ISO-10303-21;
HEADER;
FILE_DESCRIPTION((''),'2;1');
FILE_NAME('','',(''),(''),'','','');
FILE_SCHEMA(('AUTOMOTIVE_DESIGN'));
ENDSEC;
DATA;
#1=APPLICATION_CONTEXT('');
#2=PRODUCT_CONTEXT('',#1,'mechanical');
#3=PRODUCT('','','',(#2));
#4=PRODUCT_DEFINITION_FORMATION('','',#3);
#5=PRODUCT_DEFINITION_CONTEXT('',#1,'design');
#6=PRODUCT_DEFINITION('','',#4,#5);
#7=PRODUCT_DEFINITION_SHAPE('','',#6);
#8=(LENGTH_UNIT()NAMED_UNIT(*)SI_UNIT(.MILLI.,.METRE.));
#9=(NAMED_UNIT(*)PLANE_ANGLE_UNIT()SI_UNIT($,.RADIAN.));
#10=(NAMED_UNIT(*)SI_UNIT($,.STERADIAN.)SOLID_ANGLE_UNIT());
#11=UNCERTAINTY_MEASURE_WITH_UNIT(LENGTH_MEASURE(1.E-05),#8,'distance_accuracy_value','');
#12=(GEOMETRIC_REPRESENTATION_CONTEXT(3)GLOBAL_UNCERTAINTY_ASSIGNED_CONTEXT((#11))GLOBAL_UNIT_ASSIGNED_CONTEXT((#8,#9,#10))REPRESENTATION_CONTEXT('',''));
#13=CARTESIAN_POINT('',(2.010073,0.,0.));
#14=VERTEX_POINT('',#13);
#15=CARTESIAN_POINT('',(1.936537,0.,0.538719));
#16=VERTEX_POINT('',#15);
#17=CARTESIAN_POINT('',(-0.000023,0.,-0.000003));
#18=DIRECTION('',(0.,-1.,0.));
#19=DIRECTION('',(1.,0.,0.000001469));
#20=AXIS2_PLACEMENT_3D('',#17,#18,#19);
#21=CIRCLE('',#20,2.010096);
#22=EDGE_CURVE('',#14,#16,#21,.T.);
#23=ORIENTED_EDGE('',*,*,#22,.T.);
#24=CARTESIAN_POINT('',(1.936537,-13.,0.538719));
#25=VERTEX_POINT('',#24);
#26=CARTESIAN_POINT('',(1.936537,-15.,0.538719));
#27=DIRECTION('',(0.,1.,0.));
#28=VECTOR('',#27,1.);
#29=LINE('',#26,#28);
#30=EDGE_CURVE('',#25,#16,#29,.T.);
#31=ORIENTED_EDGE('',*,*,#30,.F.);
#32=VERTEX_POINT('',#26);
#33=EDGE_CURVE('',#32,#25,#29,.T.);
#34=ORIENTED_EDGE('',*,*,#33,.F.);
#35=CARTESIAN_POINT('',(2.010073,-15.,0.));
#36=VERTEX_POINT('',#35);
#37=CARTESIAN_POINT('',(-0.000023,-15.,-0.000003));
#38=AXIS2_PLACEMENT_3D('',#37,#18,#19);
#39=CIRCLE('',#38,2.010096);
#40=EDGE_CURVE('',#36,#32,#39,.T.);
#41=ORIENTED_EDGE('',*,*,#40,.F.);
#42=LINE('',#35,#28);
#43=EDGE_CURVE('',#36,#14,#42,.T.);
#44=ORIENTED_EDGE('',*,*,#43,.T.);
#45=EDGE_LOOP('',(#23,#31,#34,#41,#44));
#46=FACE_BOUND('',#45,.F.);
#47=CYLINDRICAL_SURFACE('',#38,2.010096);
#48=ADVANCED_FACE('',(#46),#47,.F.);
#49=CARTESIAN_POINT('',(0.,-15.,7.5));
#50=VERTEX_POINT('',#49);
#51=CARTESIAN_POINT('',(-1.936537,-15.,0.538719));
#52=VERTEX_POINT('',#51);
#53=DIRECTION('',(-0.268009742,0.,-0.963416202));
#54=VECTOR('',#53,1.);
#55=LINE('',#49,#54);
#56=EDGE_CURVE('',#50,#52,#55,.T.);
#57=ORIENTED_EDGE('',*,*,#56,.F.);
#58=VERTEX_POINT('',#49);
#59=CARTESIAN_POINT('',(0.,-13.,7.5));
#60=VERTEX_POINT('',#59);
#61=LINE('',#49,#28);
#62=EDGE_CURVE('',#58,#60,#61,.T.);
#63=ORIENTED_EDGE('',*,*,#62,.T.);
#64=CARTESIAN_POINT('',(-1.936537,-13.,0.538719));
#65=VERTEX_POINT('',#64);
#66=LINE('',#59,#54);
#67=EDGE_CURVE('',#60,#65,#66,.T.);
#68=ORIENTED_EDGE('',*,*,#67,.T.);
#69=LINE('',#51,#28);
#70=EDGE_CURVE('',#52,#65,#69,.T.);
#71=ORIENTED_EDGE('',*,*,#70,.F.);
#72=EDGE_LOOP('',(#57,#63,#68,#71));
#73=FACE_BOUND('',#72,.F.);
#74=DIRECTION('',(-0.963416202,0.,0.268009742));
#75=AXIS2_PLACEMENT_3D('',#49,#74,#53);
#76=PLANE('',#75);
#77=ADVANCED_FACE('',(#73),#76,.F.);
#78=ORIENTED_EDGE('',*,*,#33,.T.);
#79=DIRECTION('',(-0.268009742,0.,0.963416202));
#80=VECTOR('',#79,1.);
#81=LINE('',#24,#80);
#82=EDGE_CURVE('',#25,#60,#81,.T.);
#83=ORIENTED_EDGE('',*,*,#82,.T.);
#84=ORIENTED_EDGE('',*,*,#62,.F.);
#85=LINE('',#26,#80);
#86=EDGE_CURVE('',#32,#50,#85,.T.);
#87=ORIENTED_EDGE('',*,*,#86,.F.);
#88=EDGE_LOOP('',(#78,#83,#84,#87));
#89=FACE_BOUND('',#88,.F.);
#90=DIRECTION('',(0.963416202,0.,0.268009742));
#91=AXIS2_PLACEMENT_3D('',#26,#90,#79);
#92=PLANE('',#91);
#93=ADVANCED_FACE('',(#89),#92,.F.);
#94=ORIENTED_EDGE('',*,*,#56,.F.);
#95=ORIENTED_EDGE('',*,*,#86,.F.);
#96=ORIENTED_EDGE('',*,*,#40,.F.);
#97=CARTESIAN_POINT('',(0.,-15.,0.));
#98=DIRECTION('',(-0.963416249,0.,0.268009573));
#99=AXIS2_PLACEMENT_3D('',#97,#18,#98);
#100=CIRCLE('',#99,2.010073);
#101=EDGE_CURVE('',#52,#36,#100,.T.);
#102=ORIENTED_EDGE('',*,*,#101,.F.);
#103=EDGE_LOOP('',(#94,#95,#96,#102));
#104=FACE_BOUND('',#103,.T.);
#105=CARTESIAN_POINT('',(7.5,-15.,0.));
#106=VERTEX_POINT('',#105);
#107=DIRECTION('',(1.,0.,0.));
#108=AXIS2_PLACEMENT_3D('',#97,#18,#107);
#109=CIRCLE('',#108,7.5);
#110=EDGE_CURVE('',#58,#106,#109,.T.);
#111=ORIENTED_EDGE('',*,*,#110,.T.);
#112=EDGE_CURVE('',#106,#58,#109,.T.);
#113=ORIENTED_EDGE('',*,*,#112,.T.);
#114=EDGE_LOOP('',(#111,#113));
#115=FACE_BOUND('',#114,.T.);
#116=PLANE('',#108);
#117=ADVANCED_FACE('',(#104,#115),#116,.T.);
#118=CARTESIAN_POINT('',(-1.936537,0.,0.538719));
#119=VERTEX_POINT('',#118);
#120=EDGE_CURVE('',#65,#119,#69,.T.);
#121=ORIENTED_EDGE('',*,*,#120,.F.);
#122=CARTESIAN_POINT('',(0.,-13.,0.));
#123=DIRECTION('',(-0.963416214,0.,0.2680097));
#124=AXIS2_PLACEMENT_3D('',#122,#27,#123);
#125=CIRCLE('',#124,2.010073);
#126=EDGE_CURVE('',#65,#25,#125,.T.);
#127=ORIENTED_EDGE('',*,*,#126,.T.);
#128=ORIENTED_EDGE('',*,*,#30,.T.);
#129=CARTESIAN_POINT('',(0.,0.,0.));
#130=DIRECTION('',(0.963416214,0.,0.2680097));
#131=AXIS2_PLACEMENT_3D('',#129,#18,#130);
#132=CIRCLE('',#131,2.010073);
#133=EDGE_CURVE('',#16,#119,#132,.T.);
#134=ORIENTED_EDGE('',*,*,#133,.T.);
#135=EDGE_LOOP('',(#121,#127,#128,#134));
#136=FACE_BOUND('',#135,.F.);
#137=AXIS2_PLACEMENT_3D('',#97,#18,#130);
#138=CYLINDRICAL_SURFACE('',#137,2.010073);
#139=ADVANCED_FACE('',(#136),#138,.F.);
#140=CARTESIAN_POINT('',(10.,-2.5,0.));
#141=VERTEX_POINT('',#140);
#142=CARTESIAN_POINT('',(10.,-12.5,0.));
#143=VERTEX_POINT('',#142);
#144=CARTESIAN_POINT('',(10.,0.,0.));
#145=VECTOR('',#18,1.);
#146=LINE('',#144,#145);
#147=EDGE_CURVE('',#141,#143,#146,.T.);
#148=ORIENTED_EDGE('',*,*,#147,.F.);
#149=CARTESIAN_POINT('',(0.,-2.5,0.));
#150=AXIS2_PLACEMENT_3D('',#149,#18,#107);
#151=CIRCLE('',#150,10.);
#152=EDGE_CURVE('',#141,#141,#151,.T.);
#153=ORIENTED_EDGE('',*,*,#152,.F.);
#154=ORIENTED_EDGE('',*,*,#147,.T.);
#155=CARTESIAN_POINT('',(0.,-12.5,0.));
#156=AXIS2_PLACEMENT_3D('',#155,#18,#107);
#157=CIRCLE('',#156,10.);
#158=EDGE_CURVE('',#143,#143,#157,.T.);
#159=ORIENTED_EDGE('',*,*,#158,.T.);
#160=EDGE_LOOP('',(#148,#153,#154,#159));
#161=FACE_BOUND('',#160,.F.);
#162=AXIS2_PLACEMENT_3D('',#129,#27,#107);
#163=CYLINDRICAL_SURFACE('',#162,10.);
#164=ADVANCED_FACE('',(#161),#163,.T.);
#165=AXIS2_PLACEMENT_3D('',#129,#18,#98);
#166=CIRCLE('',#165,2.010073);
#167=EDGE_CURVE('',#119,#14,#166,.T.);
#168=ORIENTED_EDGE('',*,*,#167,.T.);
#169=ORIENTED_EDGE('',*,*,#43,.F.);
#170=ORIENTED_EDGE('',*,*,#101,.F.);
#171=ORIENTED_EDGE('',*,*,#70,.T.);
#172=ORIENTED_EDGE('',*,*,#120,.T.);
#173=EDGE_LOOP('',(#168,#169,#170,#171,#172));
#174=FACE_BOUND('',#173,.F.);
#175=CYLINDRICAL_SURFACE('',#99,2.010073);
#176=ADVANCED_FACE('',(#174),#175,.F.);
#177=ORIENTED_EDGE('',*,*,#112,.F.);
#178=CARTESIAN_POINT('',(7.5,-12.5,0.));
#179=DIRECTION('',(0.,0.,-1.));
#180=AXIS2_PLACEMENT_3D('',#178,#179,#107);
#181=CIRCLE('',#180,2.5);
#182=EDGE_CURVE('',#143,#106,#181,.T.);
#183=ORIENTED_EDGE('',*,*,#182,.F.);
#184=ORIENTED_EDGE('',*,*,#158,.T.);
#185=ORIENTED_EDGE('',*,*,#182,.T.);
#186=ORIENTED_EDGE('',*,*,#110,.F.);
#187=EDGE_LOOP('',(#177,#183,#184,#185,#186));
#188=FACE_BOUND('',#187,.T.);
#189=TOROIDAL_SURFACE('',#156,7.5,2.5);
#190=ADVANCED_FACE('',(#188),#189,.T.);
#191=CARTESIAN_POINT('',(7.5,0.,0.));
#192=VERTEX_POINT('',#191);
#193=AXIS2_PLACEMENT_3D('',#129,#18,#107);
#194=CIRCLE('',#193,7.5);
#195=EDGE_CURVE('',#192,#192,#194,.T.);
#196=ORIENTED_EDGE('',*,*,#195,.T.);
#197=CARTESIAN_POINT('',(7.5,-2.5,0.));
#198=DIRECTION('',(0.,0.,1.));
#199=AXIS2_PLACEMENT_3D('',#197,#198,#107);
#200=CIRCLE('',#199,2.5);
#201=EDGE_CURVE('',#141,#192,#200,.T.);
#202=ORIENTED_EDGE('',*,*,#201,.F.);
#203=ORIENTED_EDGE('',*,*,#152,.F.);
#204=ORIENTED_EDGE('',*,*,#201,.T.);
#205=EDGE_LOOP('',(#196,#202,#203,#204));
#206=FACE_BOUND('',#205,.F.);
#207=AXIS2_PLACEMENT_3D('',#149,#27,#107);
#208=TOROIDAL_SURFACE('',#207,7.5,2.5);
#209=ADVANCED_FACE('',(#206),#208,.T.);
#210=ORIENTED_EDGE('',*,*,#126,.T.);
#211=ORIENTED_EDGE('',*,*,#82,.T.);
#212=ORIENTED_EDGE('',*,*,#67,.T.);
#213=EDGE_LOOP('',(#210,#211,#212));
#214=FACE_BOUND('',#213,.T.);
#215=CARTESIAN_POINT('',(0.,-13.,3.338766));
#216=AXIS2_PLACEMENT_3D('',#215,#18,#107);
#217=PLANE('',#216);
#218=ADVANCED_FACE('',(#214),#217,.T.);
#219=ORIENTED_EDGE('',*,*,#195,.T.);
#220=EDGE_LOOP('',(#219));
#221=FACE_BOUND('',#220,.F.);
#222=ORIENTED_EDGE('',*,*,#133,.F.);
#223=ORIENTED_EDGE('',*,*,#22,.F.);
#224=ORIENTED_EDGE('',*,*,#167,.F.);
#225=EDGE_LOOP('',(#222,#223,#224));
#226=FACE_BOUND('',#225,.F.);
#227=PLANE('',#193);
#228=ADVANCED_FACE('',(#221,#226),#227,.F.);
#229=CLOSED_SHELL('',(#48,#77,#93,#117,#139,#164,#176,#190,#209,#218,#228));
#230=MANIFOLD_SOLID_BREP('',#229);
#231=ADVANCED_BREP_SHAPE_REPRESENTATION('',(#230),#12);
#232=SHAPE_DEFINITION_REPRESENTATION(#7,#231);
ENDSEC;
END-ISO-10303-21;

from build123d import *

# Parameters (mm, degrees)
F0_R     = 10
F0_R_2   = 9
F1_DEPTH = 15
F2_R     = 2.5
F4_DEPTH = 50
F5_DEPTH = 2


with BuildPart() as f1:
    # F0 (on Front) → F1 (new body)
    with BuildSketch(Plane.XZ):
        Circle(F0_R)
        Circle(F0_R_2, mode=Mode.SUBTRACT)
        Circle(F0_R_2)
    extrude(amount=F1_DEPTH)

    # F2
    f2_edges = [f1.edges().sort_by_distance(p)[0] for p in [
        (-10, -15, 0),
        (-10, 0, 0),
    ]]
    fillet(f2_edges, radius=F2_R)

    # F3 (on face) → F4 (cut)
    with BuildSketch(Plane.XZ.offset(15)):
        with BuildLine():
            ThreePointArc((-1.936537, 0.538719), (-0.271857, -1.991604), (2.010073, 0))
            ThreePointArc((2.010073, 0), (1.991604, 0.271857), (1.936537, 0.538719))
            ThreePointArc((1.936537, 0.538719), (0, 2.010073), (-1.936537, 0.538719))
        make_face()
    extrude(amount=-F4_DEPTH, mode=Mode.SUBTRACT)

    # F3 (on face) → F5 (cut)
    with BuildSketch(Plane.XZ.offset(15)):
        with BuildLine():
            ThreePointArc((-1.936537, 0.538719), (0, 2.010073), (1.936537, 0.538719))
            Line((1.936537, 0.538719), (0, 7.5))
            Line((0, 7.5), (-1.936537, 0.538719))
        make_face()
    extrude(amount=-F5_DEPTH, mode=Mode.SUBTRACT)


solid = f1.part
